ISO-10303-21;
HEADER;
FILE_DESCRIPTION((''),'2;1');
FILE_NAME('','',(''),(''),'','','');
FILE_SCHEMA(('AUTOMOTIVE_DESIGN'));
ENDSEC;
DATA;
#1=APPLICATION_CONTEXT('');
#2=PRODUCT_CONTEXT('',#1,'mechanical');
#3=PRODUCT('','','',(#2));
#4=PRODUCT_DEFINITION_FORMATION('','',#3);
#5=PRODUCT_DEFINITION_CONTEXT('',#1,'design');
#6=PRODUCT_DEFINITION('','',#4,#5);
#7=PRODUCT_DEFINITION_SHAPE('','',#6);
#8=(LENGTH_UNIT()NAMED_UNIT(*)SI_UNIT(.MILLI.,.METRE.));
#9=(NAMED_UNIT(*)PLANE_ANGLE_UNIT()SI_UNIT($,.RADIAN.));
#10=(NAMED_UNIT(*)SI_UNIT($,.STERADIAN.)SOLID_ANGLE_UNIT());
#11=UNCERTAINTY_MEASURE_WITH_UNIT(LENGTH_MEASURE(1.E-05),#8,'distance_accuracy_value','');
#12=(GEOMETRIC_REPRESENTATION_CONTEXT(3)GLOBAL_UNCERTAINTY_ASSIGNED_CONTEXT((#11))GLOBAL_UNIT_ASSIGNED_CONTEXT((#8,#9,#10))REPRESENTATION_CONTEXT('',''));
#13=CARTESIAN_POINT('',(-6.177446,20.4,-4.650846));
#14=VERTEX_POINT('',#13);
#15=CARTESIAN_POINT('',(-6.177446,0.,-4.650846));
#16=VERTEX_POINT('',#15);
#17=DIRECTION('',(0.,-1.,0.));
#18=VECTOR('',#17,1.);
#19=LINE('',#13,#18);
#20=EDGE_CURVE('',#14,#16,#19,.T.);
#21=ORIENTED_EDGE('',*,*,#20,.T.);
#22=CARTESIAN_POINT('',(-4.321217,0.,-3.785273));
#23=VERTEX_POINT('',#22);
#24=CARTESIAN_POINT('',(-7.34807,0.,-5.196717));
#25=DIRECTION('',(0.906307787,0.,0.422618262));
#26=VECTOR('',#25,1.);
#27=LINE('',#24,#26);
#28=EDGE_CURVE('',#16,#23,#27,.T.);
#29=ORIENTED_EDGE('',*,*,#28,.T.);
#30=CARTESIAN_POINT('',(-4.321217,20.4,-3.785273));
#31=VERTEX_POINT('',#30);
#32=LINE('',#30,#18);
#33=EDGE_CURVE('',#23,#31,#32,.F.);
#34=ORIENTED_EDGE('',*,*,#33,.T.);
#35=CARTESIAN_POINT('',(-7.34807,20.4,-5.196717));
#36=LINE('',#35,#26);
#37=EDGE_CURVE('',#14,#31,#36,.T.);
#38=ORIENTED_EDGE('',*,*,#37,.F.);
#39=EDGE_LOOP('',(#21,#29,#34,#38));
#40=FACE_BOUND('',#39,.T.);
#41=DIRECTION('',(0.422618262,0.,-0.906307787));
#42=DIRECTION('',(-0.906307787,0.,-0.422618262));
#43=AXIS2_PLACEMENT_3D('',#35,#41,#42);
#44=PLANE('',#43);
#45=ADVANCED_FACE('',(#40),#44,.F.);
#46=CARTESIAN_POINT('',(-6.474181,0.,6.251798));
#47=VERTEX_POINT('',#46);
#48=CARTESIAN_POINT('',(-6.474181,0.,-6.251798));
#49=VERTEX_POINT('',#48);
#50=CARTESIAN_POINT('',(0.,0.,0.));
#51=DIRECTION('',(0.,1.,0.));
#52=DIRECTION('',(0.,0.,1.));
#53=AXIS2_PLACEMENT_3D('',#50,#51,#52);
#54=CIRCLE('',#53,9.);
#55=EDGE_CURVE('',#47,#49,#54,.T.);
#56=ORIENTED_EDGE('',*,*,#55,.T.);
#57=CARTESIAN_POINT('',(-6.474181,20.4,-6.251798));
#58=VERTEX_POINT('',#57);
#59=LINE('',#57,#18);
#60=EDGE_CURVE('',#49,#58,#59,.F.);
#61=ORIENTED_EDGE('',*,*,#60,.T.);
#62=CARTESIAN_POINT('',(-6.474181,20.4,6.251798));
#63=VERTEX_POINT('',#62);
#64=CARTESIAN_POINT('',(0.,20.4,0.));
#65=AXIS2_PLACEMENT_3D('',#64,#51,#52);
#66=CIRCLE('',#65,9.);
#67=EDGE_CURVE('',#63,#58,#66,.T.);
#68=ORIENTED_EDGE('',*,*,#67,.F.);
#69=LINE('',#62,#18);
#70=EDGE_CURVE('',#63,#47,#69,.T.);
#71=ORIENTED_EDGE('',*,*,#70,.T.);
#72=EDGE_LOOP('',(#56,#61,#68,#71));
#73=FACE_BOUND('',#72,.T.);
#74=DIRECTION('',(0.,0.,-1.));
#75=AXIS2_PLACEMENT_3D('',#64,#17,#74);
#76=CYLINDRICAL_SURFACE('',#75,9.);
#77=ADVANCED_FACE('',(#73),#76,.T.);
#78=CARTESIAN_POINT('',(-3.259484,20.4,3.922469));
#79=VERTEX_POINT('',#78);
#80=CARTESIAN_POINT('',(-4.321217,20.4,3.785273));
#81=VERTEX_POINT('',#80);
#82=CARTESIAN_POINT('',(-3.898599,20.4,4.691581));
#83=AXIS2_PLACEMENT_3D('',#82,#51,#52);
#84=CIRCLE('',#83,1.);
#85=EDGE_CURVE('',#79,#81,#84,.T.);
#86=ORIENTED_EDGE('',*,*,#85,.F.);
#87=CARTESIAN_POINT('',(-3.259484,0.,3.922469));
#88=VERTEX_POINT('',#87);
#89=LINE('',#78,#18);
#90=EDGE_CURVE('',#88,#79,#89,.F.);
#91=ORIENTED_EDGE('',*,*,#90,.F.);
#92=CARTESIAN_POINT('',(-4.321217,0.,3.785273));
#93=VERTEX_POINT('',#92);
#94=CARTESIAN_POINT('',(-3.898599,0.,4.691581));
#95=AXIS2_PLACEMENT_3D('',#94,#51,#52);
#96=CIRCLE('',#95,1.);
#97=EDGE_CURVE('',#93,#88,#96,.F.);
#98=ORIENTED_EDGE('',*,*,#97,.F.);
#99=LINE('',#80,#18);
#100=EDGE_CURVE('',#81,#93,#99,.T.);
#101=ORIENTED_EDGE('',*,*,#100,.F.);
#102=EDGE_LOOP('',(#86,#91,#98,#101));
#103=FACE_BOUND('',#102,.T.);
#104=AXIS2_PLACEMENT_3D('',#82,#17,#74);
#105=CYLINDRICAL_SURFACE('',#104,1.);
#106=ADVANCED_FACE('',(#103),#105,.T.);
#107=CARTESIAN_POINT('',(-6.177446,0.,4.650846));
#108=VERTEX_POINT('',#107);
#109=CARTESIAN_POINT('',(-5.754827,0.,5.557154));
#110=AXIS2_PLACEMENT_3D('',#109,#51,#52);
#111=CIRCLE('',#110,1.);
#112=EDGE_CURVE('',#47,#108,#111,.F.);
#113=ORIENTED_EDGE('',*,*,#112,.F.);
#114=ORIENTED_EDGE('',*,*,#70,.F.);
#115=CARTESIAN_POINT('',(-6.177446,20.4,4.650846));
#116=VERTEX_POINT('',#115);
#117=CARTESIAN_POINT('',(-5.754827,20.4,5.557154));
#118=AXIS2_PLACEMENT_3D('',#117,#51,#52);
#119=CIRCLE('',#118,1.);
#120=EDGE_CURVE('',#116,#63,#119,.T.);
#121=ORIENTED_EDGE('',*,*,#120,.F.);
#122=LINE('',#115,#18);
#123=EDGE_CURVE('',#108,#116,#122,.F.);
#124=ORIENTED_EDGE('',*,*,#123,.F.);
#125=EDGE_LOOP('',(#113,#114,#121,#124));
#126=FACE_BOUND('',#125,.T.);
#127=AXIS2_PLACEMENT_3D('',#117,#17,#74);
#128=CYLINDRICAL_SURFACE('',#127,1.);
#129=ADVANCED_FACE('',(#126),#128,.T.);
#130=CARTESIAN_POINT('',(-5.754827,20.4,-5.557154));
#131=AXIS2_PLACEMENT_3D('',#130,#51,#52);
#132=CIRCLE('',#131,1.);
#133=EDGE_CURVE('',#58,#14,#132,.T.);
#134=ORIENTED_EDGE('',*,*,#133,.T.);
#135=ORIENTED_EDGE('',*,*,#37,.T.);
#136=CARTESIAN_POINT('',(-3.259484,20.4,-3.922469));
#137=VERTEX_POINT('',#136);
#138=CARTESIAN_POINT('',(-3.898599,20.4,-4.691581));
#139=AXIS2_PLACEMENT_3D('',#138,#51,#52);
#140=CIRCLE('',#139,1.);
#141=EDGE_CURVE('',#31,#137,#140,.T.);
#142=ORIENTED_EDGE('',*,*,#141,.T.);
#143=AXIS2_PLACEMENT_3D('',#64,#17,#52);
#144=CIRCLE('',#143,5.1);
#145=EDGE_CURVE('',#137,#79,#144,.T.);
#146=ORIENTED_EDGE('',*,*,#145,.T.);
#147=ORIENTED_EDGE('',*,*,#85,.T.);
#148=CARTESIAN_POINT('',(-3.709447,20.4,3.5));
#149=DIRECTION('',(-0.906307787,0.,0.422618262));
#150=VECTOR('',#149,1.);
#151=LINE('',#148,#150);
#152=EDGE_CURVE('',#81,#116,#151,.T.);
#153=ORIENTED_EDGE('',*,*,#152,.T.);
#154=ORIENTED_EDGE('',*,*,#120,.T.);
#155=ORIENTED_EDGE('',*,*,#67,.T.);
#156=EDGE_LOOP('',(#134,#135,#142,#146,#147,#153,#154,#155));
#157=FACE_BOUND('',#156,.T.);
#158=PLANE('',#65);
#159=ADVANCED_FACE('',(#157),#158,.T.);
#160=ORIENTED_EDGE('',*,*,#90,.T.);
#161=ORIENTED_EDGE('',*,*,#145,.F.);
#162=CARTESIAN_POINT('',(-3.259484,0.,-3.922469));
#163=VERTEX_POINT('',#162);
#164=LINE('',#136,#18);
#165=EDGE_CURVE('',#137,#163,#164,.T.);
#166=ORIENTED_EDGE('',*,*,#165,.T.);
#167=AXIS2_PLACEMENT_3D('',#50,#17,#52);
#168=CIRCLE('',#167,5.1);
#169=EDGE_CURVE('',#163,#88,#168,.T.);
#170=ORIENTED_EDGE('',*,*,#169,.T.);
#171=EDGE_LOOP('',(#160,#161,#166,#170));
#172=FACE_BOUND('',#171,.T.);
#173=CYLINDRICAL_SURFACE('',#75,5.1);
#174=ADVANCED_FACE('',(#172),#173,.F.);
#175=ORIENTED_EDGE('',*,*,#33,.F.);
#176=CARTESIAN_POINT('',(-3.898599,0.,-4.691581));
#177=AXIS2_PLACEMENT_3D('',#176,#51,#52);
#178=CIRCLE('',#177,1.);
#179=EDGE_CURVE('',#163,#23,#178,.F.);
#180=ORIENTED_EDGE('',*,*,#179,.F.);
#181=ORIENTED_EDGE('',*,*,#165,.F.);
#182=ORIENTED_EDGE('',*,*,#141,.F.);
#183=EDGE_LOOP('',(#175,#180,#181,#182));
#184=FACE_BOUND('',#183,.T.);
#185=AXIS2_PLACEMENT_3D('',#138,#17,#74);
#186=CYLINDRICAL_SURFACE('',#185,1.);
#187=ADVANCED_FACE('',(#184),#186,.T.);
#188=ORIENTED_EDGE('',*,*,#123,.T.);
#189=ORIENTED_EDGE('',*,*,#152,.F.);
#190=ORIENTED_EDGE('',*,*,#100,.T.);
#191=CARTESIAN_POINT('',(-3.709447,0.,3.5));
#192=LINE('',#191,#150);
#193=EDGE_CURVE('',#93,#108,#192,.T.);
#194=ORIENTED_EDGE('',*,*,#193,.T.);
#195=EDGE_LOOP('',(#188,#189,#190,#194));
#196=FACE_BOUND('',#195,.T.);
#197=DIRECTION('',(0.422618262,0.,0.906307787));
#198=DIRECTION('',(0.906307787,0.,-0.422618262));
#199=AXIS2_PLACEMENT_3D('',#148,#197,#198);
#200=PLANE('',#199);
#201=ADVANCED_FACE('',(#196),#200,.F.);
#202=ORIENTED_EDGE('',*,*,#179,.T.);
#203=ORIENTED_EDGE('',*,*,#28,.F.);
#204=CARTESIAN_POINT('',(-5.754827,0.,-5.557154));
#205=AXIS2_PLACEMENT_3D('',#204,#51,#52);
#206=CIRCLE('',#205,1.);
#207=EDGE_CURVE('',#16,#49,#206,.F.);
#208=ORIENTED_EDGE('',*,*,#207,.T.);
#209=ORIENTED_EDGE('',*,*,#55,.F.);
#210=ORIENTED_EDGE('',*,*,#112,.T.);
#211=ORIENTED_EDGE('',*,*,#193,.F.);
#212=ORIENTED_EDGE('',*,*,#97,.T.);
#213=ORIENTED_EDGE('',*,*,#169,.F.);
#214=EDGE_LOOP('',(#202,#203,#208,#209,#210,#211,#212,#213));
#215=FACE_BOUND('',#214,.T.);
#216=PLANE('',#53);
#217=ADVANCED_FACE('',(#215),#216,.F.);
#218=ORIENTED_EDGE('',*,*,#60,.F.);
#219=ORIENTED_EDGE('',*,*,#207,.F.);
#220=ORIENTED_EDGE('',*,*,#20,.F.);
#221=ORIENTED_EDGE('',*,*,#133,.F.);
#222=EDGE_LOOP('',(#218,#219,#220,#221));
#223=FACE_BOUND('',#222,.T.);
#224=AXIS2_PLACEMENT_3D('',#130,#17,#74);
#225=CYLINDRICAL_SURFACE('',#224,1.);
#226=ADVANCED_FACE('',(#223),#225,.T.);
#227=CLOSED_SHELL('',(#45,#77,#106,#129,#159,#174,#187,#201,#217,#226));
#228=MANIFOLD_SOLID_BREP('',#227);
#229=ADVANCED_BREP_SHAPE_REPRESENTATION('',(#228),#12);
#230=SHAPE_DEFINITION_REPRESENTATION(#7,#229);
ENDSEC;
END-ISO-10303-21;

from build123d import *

# Parameters (mm, degrees)
BOSS_EXTRUDE1_DEPTH = 20.4
FILLET1_R           = 1


with BuildPart() as part:
    # Sketch1 → Boss-Extrude1 (new body)
    with BuildSketch(Plane(origin=(0, 0, 0), x_dir=(1, 0, 0), z_dir=(0, 1, 0))):
        with BuildLine():
            Line((-3.709447398, -3.5), (-7.348069674, -5.196717432))
            ThreePointArc((-7.348069674, -5.196717432), (9, 0), (-7.348069674, 5.196717432))
            Line((-7.348069674, 5.196717432), (-3.709447398, 3.5))
            ThreePointArc((-3.709447398, 3.5), (5.1, 0), (-3.709447398, -3.5))
        make_face()
    extrude(amount=BOSS_EXTRUDE1_DEPTH)

    # Fillet1
    fillet1_edges = [part.edges().sort_by_distance(p)[0] for p in [
        (-3.709447398, 10.2, -3.5),
        (-7.348069674, 10.2, -5.196717432),
        (-7.348069674, 10.2, 5.196717432),
        (-3.709447398, 10.2, 3.5),
    ]]
    fillet(fillet1_edges, radius=FILLET1_R)


solid = part.part
